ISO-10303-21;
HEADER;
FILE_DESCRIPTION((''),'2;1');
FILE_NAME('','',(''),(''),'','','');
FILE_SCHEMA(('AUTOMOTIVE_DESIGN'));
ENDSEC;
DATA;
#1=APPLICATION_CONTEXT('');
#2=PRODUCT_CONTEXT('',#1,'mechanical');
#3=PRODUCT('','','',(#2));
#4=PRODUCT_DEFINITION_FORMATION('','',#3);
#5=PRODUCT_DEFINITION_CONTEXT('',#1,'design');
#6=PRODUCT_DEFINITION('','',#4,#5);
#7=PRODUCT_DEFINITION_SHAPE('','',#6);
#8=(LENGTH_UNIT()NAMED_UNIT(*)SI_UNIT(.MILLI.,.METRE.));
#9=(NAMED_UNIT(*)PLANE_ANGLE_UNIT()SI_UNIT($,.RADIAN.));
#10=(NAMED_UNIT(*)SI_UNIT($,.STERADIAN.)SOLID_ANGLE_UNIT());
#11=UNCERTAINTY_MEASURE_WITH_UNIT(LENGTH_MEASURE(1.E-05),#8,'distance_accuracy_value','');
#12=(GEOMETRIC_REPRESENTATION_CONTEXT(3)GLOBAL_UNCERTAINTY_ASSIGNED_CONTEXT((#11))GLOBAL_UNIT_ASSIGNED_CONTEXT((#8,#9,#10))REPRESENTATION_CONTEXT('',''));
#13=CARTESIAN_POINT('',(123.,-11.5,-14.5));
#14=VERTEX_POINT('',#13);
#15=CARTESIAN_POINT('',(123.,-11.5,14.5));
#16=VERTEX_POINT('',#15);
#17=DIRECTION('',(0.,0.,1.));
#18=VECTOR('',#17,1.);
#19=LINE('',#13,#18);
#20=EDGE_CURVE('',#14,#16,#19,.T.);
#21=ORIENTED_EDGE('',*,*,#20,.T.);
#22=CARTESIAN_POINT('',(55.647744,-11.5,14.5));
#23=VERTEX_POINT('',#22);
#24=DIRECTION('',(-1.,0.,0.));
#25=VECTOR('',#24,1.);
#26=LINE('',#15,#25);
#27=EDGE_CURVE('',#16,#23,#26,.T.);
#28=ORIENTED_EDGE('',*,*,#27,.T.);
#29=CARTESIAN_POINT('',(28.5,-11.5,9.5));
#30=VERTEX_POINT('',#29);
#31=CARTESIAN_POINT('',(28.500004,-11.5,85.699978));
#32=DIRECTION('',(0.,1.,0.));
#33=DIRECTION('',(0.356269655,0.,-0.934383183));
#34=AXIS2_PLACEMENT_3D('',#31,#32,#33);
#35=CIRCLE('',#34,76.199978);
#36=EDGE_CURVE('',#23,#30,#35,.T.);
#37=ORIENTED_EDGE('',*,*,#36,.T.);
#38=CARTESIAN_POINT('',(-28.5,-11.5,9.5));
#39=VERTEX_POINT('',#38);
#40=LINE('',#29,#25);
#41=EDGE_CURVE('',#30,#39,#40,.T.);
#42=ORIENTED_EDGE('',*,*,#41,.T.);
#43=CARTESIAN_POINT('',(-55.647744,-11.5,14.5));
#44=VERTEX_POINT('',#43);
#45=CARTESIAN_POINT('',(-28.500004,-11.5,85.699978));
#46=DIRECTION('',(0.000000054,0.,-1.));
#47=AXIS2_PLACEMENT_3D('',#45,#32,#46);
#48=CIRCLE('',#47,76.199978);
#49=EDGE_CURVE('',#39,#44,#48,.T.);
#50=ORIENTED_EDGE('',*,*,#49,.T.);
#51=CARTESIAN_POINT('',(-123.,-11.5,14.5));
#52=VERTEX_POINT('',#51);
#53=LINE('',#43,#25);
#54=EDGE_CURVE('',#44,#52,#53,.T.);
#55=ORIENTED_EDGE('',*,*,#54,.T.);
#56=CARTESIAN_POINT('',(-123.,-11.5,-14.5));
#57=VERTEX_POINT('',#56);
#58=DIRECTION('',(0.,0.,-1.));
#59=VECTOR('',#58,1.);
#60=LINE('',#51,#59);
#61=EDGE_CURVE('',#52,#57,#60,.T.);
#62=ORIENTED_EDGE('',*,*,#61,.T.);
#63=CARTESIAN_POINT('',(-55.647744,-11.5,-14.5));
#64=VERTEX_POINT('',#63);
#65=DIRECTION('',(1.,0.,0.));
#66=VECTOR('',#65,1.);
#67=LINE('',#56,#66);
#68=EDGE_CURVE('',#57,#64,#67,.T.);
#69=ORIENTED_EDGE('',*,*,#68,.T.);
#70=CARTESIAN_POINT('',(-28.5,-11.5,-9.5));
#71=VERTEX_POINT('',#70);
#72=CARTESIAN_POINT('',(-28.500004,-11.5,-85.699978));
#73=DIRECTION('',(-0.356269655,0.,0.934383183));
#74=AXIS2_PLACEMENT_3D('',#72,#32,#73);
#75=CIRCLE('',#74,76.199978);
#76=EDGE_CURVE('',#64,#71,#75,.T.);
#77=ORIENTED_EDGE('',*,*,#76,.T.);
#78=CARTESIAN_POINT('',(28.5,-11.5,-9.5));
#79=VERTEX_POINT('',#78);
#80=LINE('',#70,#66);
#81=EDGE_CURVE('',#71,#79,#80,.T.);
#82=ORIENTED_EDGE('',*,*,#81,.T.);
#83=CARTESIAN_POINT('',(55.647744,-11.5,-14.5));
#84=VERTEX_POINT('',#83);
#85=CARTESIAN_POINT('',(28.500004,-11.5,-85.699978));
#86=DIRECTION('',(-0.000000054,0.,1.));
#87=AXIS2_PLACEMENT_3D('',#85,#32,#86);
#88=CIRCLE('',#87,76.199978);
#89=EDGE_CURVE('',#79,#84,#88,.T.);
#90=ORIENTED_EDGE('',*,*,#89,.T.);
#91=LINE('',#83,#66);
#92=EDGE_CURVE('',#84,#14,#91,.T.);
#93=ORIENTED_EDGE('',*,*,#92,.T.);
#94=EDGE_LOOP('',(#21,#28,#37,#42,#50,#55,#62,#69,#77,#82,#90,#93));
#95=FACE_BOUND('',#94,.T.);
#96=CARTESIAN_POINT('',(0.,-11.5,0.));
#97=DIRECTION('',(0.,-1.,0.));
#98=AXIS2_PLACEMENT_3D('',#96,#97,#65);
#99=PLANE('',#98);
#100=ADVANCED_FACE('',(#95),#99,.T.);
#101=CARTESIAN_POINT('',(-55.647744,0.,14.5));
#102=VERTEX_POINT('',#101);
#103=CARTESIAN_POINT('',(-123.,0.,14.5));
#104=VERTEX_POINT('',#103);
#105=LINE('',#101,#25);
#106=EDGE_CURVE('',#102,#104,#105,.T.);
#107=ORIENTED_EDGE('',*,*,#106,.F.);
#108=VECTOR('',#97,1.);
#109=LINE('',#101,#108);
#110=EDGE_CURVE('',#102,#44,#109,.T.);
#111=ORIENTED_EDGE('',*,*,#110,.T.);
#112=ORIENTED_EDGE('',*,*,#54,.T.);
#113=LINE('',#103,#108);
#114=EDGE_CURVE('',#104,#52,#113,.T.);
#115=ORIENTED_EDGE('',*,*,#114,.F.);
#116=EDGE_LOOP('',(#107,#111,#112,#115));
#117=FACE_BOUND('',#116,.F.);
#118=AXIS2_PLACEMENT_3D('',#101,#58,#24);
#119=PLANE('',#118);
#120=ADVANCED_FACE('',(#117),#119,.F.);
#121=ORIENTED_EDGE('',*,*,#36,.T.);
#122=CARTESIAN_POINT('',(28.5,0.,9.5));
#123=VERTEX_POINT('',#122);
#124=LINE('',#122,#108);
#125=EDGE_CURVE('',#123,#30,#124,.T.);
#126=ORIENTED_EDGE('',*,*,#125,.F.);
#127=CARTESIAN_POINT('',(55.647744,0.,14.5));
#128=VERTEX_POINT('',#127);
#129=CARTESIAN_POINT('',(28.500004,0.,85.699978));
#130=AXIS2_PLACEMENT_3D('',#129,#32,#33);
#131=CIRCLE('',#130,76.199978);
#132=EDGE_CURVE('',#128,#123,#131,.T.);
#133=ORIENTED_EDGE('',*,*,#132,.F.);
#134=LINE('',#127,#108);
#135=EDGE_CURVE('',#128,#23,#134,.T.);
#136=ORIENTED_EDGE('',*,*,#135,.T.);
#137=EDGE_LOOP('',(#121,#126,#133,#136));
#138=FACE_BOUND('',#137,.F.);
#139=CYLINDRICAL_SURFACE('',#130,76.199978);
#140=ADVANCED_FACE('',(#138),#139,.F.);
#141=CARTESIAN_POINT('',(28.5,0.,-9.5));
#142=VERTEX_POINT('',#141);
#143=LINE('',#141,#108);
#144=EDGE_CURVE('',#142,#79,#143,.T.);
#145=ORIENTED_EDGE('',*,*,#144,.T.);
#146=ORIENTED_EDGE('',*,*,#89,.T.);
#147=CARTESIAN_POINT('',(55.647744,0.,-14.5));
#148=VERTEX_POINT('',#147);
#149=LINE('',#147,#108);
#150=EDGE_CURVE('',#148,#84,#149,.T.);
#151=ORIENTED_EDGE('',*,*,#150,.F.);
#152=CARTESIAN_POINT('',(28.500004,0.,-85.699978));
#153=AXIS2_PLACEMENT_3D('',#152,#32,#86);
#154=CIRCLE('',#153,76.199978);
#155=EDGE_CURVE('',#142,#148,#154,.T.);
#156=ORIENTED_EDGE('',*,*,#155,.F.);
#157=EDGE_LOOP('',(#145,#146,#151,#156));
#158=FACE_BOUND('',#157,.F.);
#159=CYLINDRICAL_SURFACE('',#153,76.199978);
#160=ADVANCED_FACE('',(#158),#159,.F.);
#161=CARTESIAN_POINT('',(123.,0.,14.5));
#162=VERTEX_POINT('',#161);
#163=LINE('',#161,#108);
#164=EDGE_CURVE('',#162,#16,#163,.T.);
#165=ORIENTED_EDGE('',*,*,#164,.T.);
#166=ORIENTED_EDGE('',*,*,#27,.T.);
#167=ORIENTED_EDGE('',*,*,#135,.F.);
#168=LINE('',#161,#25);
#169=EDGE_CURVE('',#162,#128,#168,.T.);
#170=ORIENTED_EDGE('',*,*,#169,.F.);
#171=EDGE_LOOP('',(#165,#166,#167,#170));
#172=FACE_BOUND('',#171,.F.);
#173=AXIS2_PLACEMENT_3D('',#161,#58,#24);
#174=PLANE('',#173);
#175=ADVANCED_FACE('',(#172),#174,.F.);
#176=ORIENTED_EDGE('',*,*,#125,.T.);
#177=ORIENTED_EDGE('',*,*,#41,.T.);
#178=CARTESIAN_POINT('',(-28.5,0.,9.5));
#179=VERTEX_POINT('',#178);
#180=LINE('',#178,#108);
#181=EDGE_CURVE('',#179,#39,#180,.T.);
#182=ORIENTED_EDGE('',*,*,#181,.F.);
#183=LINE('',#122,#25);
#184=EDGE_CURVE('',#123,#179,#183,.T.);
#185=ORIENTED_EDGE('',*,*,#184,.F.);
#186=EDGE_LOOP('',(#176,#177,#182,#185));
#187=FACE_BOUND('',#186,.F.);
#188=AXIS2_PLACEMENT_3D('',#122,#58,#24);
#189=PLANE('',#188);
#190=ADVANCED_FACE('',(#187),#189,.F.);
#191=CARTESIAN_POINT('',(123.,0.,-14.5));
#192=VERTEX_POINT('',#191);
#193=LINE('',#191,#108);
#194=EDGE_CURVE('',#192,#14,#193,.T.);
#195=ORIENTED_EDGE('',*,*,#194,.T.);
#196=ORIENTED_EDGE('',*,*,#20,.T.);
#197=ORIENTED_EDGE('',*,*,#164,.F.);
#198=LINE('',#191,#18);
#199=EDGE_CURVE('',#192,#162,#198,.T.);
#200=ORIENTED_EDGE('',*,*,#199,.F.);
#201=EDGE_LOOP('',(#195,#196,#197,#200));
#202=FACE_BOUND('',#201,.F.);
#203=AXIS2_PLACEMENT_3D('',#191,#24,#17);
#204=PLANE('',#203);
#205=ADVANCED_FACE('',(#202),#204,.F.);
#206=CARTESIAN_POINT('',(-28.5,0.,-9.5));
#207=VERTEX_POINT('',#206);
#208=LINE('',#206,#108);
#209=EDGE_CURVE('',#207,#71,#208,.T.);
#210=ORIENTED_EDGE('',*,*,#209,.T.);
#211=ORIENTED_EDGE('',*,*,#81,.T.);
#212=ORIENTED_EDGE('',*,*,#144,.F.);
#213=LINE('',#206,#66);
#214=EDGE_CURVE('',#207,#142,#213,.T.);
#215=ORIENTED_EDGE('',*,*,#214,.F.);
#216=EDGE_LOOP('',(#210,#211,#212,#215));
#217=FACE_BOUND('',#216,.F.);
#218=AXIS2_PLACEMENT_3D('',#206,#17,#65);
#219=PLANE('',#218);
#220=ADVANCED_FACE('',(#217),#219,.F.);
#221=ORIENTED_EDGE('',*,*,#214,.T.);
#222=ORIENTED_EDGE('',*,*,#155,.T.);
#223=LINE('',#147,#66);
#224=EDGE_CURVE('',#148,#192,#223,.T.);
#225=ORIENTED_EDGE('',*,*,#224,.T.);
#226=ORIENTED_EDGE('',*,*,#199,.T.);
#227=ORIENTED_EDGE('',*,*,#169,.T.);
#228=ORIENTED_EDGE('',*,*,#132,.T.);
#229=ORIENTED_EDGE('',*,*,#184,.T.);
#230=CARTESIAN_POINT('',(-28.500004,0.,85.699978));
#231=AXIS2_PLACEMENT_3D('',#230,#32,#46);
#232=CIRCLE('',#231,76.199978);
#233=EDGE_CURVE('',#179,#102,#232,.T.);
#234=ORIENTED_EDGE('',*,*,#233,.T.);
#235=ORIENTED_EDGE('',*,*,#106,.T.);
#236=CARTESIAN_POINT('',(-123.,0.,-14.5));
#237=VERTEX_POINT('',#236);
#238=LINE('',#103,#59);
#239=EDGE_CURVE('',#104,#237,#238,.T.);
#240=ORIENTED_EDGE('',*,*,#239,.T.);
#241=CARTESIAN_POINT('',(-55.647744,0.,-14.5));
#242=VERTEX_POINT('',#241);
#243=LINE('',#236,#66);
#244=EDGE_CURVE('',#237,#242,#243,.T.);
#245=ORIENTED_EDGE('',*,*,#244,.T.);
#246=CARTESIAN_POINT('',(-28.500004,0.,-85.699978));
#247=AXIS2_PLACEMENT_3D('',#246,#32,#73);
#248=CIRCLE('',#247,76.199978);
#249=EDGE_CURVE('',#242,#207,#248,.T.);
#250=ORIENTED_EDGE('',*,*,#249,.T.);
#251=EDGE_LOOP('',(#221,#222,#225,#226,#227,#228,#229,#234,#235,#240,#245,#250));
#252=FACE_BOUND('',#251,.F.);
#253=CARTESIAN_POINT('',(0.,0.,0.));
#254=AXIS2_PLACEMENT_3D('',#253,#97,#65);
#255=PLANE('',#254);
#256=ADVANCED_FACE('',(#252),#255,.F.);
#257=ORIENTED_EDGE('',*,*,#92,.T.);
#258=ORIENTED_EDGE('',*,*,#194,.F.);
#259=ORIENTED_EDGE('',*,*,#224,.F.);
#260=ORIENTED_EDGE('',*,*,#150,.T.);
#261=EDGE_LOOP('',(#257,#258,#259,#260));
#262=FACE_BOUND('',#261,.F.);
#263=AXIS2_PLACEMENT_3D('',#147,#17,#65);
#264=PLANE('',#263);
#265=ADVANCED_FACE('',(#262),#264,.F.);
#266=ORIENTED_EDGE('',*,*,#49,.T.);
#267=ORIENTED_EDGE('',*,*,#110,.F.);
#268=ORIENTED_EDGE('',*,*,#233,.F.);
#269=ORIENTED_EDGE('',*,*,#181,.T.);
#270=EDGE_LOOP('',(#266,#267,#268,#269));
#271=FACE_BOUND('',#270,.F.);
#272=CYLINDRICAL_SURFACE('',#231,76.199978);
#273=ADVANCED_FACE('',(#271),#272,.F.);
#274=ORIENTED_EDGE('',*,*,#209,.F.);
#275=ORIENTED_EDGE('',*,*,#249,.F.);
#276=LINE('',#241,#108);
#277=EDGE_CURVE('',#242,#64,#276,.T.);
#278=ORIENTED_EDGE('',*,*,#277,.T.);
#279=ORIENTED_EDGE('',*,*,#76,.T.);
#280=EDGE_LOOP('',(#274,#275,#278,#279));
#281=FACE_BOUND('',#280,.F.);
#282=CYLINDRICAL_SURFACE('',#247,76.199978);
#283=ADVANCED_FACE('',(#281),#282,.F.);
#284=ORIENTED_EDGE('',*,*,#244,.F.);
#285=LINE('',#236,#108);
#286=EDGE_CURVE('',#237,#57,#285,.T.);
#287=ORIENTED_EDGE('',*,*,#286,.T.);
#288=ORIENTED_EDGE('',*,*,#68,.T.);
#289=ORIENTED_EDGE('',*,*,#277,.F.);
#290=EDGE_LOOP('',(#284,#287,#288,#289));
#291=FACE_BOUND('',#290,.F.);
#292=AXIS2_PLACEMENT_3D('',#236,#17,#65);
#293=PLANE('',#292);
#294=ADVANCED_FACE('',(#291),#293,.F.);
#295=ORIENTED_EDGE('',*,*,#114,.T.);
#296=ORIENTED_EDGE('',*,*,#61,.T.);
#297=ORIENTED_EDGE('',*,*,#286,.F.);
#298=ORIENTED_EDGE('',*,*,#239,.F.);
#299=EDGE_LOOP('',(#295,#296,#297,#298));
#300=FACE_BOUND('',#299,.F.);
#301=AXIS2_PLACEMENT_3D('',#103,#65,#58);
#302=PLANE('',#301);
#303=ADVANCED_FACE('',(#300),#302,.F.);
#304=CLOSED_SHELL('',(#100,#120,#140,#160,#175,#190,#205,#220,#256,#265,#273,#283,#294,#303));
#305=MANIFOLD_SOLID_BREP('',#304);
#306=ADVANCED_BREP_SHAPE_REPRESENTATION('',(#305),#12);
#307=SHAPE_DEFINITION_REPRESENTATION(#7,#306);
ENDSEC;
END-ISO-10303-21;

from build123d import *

# Parameters (mm, degrees)
F1_DEPTH = 11.5


with BuildPart() as f1:
    # F0 (on Front) → F1 (new body)
    with BuildSketch(Plane.XZ):
        with BuildLine():
            Line((28.5, 9.5), (0, 9.5))
            Line((0, 9.5), (-28.5, 9.5))
            ThreePointArc((-28.5, 9.5), (-42.302174, 10.760424), (-55.647744, 14.5))
            Line((-55.647744, 14.5), (-123, 14.5))
            Line((-123, 14.5), (-123, 0))
            Line((-123, 0), (-123, -14.5))
            Line((-123, -14.5), (-55.647744, -14.5))
            ThreePointArc((-55.647744, -14.5), (-42.302174, -10.760424), (-28.5, -9.5))
            Line((-28.5, -9.5), (0, -9.5))
            Line((0, -9.5), (28.5, -9.5))
            ThreePointArc((28.5, -9.5), (42.302174, -10.760424), (55.647744, -14.5))
            Line((55.647744, -14.5), (123, -14.5))
            Line((123, -14.5), (123, 0))
            Line((123, 0), (123, 14.5))
            Line((123, 14.5), (55.647744, 14.5))
            ThreePointArc((55.647744, 14.5), (42.302174, 10.760424), (28.5, 9.5))
        make_face()
    extrude(amount=F1_DEPTH)


solid = f1.part
